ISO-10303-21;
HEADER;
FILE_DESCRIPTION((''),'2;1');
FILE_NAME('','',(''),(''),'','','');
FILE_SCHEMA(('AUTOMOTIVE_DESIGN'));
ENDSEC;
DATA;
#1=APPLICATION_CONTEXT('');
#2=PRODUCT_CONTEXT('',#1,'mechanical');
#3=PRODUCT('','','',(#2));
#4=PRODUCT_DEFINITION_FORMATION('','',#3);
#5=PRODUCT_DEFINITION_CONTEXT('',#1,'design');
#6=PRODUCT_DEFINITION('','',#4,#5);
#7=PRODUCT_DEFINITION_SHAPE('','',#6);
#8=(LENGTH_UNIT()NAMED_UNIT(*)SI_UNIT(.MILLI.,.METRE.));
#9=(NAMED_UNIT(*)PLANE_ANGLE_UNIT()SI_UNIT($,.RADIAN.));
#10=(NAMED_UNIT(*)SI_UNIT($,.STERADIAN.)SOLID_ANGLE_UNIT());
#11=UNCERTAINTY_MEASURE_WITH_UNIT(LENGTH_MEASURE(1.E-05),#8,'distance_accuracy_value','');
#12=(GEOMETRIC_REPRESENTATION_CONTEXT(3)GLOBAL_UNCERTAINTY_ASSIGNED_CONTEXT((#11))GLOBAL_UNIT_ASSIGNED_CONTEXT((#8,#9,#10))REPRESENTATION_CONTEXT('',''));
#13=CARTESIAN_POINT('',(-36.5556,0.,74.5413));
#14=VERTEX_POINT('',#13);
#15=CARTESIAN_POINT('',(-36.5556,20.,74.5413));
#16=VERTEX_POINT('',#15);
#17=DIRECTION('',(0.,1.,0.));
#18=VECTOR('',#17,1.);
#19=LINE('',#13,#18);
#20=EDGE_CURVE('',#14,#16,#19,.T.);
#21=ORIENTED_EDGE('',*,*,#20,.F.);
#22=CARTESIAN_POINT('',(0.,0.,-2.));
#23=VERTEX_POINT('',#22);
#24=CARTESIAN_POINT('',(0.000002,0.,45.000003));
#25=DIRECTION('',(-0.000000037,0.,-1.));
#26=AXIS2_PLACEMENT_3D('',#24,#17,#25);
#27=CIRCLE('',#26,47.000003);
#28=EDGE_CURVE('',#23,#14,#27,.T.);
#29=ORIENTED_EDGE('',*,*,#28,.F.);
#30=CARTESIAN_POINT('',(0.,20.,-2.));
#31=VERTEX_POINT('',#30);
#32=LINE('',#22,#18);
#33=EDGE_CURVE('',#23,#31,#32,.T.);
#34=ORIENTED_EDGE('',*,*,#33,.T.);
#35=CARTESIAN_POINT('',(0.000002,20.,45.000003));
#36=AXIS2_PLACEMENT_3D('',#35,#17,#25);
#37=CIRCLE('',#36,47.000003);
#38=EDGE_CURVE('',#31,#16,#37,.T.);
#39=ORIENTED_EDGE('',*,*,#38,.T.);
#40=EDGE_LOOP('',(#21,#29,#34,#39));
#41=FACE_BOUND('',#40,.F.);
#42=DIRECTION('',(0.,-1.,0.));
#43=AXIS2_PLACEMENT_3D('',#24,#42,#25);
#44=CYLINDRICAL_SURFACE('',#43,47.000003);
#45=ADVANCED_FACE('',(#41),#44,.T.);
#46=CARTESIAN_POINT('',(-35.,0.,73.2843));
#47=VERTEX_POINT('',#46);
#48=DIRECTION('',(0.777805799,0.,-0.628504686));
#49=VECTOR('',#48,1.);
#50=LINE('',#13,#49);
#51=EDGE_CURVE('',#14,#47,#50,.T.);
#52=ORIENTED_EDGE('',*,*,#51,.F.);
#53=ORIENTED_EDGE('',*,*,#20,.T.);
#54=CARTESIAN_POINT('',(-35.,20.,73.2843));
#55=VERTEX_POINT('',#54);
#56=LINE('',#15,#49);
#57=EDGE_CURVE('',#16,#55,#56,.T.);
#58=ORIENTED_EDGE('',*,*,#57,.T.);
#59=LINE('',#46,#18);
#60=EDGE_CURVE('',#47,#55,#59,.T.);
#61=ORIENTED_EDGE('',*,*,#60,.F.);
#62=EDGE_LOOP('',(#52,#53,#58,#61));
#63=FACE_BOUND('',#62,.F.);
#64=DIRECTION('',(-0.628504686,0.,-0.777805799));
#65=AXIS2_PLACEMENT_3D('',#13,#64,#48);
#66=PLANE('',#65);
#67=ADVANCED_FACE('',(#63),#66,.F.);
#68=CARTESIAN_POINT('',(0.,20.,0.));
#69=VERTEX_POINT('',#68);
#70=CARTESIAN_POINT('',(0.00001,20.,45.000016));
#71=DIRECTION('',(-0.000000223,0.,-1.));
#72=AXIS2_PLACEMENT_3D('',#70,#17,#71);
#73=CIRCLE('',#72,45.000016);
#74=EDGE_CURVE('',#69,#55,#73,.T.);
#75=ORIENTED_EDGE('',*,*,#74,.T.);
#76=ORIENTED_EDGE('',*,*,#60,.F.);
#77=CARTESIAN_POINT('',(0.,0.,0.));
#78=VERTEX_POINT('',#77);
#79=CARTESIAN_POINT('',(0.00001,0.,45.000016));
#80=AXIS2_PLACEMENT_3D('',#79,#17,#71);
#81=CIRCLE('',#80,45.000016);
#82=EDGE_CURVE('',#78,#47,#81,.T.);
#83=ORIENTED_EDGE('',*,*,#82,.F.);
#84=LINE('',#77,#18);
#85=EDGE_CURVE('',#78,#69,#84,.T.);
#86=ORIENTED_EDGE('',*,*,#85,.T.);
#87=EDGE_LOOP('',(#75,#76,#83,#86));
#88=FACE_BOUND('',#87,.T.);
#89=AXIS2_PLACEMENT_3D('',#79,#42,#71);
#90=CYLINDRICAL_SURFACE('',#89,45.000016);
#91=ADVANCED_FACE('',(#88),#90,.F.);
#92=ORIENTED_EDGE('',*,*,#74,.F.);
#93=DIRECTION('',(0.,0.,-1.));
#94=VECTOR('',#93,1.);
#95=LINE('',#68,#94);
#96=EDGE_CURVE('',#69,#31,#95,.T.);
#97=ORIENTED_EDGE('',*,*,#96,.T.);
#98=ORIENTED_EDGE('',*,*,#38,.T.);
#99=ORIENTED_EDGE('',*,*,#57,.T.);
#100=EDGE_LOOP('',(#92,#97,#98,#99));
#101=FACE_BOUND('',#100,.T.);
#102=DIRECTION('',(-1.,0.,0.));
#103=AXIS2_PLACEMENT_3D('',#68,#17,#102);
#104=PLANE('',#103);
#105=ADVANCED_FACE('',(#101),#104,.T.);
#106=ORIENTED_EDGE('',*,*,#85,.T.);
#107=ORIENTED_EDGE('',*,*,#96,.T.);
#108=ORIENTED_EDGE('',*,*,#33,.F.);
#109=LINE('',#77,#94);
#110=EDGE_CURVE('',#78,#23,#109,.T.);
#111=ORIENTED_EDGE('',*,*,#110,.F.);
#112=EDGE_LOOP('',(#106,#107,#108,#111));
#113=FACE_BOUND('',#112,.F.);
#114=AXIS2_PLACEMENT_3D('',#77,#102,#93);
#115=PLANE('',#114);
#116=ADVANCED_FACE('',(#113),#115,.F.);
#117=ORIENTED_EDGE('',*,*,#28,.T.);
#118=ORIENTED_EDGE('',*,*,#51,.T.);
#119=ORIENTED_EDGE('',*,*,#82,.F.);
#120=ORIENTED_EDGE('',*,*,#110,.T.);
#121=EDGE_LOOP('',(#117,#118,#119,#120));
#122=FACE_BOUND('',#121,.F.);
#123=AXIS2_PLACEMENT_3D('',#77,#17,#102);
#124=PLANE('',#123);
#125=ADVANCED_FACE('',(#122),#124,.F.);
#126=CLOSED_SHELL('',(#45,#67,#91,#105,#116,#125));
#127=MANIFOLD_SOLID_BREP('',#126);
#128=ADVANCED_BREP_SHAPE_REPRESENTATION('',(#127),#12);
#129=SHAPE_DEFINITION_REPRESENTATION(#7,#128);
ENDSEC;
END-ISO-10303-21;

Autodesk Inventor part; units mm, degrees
ref_plane "YZ Plane" through (0, 0, 0) normal (1, 0, 0) x (0, 1, 0)
ref_plane "XZ Plane" through (0, 0, 0) normal (0, 1, 0) x (-1, 0, 0)
ref_plane "XY Plane" through (0, 0, 0) normal (0, 0, 1) x (1, 0, 0)
sketch "Sketch2" plane through (0, 0, 0) normal (0, 1, 0) x (-1, 0, 0)
  arc A0 (0, 0) -> (35, 73.2843) centre (0, 45) ccw
  arc A1 (0, -2) -> (36.5556, 74.5413) centre (0, 45) ccw
  line L0 (0, 0) -> (0, -2)
  line L1 (36.5556, 74.5413) -> (35, 73.2843)
  dimension "d14" = 45
  dimension "d15" = 47
  dimension "d17" = 2
  dimension "d18" = 35
extrude "Extrusion1" add sketch "Sketch2" along normal blind 20
properties part number "Ball_plate"
